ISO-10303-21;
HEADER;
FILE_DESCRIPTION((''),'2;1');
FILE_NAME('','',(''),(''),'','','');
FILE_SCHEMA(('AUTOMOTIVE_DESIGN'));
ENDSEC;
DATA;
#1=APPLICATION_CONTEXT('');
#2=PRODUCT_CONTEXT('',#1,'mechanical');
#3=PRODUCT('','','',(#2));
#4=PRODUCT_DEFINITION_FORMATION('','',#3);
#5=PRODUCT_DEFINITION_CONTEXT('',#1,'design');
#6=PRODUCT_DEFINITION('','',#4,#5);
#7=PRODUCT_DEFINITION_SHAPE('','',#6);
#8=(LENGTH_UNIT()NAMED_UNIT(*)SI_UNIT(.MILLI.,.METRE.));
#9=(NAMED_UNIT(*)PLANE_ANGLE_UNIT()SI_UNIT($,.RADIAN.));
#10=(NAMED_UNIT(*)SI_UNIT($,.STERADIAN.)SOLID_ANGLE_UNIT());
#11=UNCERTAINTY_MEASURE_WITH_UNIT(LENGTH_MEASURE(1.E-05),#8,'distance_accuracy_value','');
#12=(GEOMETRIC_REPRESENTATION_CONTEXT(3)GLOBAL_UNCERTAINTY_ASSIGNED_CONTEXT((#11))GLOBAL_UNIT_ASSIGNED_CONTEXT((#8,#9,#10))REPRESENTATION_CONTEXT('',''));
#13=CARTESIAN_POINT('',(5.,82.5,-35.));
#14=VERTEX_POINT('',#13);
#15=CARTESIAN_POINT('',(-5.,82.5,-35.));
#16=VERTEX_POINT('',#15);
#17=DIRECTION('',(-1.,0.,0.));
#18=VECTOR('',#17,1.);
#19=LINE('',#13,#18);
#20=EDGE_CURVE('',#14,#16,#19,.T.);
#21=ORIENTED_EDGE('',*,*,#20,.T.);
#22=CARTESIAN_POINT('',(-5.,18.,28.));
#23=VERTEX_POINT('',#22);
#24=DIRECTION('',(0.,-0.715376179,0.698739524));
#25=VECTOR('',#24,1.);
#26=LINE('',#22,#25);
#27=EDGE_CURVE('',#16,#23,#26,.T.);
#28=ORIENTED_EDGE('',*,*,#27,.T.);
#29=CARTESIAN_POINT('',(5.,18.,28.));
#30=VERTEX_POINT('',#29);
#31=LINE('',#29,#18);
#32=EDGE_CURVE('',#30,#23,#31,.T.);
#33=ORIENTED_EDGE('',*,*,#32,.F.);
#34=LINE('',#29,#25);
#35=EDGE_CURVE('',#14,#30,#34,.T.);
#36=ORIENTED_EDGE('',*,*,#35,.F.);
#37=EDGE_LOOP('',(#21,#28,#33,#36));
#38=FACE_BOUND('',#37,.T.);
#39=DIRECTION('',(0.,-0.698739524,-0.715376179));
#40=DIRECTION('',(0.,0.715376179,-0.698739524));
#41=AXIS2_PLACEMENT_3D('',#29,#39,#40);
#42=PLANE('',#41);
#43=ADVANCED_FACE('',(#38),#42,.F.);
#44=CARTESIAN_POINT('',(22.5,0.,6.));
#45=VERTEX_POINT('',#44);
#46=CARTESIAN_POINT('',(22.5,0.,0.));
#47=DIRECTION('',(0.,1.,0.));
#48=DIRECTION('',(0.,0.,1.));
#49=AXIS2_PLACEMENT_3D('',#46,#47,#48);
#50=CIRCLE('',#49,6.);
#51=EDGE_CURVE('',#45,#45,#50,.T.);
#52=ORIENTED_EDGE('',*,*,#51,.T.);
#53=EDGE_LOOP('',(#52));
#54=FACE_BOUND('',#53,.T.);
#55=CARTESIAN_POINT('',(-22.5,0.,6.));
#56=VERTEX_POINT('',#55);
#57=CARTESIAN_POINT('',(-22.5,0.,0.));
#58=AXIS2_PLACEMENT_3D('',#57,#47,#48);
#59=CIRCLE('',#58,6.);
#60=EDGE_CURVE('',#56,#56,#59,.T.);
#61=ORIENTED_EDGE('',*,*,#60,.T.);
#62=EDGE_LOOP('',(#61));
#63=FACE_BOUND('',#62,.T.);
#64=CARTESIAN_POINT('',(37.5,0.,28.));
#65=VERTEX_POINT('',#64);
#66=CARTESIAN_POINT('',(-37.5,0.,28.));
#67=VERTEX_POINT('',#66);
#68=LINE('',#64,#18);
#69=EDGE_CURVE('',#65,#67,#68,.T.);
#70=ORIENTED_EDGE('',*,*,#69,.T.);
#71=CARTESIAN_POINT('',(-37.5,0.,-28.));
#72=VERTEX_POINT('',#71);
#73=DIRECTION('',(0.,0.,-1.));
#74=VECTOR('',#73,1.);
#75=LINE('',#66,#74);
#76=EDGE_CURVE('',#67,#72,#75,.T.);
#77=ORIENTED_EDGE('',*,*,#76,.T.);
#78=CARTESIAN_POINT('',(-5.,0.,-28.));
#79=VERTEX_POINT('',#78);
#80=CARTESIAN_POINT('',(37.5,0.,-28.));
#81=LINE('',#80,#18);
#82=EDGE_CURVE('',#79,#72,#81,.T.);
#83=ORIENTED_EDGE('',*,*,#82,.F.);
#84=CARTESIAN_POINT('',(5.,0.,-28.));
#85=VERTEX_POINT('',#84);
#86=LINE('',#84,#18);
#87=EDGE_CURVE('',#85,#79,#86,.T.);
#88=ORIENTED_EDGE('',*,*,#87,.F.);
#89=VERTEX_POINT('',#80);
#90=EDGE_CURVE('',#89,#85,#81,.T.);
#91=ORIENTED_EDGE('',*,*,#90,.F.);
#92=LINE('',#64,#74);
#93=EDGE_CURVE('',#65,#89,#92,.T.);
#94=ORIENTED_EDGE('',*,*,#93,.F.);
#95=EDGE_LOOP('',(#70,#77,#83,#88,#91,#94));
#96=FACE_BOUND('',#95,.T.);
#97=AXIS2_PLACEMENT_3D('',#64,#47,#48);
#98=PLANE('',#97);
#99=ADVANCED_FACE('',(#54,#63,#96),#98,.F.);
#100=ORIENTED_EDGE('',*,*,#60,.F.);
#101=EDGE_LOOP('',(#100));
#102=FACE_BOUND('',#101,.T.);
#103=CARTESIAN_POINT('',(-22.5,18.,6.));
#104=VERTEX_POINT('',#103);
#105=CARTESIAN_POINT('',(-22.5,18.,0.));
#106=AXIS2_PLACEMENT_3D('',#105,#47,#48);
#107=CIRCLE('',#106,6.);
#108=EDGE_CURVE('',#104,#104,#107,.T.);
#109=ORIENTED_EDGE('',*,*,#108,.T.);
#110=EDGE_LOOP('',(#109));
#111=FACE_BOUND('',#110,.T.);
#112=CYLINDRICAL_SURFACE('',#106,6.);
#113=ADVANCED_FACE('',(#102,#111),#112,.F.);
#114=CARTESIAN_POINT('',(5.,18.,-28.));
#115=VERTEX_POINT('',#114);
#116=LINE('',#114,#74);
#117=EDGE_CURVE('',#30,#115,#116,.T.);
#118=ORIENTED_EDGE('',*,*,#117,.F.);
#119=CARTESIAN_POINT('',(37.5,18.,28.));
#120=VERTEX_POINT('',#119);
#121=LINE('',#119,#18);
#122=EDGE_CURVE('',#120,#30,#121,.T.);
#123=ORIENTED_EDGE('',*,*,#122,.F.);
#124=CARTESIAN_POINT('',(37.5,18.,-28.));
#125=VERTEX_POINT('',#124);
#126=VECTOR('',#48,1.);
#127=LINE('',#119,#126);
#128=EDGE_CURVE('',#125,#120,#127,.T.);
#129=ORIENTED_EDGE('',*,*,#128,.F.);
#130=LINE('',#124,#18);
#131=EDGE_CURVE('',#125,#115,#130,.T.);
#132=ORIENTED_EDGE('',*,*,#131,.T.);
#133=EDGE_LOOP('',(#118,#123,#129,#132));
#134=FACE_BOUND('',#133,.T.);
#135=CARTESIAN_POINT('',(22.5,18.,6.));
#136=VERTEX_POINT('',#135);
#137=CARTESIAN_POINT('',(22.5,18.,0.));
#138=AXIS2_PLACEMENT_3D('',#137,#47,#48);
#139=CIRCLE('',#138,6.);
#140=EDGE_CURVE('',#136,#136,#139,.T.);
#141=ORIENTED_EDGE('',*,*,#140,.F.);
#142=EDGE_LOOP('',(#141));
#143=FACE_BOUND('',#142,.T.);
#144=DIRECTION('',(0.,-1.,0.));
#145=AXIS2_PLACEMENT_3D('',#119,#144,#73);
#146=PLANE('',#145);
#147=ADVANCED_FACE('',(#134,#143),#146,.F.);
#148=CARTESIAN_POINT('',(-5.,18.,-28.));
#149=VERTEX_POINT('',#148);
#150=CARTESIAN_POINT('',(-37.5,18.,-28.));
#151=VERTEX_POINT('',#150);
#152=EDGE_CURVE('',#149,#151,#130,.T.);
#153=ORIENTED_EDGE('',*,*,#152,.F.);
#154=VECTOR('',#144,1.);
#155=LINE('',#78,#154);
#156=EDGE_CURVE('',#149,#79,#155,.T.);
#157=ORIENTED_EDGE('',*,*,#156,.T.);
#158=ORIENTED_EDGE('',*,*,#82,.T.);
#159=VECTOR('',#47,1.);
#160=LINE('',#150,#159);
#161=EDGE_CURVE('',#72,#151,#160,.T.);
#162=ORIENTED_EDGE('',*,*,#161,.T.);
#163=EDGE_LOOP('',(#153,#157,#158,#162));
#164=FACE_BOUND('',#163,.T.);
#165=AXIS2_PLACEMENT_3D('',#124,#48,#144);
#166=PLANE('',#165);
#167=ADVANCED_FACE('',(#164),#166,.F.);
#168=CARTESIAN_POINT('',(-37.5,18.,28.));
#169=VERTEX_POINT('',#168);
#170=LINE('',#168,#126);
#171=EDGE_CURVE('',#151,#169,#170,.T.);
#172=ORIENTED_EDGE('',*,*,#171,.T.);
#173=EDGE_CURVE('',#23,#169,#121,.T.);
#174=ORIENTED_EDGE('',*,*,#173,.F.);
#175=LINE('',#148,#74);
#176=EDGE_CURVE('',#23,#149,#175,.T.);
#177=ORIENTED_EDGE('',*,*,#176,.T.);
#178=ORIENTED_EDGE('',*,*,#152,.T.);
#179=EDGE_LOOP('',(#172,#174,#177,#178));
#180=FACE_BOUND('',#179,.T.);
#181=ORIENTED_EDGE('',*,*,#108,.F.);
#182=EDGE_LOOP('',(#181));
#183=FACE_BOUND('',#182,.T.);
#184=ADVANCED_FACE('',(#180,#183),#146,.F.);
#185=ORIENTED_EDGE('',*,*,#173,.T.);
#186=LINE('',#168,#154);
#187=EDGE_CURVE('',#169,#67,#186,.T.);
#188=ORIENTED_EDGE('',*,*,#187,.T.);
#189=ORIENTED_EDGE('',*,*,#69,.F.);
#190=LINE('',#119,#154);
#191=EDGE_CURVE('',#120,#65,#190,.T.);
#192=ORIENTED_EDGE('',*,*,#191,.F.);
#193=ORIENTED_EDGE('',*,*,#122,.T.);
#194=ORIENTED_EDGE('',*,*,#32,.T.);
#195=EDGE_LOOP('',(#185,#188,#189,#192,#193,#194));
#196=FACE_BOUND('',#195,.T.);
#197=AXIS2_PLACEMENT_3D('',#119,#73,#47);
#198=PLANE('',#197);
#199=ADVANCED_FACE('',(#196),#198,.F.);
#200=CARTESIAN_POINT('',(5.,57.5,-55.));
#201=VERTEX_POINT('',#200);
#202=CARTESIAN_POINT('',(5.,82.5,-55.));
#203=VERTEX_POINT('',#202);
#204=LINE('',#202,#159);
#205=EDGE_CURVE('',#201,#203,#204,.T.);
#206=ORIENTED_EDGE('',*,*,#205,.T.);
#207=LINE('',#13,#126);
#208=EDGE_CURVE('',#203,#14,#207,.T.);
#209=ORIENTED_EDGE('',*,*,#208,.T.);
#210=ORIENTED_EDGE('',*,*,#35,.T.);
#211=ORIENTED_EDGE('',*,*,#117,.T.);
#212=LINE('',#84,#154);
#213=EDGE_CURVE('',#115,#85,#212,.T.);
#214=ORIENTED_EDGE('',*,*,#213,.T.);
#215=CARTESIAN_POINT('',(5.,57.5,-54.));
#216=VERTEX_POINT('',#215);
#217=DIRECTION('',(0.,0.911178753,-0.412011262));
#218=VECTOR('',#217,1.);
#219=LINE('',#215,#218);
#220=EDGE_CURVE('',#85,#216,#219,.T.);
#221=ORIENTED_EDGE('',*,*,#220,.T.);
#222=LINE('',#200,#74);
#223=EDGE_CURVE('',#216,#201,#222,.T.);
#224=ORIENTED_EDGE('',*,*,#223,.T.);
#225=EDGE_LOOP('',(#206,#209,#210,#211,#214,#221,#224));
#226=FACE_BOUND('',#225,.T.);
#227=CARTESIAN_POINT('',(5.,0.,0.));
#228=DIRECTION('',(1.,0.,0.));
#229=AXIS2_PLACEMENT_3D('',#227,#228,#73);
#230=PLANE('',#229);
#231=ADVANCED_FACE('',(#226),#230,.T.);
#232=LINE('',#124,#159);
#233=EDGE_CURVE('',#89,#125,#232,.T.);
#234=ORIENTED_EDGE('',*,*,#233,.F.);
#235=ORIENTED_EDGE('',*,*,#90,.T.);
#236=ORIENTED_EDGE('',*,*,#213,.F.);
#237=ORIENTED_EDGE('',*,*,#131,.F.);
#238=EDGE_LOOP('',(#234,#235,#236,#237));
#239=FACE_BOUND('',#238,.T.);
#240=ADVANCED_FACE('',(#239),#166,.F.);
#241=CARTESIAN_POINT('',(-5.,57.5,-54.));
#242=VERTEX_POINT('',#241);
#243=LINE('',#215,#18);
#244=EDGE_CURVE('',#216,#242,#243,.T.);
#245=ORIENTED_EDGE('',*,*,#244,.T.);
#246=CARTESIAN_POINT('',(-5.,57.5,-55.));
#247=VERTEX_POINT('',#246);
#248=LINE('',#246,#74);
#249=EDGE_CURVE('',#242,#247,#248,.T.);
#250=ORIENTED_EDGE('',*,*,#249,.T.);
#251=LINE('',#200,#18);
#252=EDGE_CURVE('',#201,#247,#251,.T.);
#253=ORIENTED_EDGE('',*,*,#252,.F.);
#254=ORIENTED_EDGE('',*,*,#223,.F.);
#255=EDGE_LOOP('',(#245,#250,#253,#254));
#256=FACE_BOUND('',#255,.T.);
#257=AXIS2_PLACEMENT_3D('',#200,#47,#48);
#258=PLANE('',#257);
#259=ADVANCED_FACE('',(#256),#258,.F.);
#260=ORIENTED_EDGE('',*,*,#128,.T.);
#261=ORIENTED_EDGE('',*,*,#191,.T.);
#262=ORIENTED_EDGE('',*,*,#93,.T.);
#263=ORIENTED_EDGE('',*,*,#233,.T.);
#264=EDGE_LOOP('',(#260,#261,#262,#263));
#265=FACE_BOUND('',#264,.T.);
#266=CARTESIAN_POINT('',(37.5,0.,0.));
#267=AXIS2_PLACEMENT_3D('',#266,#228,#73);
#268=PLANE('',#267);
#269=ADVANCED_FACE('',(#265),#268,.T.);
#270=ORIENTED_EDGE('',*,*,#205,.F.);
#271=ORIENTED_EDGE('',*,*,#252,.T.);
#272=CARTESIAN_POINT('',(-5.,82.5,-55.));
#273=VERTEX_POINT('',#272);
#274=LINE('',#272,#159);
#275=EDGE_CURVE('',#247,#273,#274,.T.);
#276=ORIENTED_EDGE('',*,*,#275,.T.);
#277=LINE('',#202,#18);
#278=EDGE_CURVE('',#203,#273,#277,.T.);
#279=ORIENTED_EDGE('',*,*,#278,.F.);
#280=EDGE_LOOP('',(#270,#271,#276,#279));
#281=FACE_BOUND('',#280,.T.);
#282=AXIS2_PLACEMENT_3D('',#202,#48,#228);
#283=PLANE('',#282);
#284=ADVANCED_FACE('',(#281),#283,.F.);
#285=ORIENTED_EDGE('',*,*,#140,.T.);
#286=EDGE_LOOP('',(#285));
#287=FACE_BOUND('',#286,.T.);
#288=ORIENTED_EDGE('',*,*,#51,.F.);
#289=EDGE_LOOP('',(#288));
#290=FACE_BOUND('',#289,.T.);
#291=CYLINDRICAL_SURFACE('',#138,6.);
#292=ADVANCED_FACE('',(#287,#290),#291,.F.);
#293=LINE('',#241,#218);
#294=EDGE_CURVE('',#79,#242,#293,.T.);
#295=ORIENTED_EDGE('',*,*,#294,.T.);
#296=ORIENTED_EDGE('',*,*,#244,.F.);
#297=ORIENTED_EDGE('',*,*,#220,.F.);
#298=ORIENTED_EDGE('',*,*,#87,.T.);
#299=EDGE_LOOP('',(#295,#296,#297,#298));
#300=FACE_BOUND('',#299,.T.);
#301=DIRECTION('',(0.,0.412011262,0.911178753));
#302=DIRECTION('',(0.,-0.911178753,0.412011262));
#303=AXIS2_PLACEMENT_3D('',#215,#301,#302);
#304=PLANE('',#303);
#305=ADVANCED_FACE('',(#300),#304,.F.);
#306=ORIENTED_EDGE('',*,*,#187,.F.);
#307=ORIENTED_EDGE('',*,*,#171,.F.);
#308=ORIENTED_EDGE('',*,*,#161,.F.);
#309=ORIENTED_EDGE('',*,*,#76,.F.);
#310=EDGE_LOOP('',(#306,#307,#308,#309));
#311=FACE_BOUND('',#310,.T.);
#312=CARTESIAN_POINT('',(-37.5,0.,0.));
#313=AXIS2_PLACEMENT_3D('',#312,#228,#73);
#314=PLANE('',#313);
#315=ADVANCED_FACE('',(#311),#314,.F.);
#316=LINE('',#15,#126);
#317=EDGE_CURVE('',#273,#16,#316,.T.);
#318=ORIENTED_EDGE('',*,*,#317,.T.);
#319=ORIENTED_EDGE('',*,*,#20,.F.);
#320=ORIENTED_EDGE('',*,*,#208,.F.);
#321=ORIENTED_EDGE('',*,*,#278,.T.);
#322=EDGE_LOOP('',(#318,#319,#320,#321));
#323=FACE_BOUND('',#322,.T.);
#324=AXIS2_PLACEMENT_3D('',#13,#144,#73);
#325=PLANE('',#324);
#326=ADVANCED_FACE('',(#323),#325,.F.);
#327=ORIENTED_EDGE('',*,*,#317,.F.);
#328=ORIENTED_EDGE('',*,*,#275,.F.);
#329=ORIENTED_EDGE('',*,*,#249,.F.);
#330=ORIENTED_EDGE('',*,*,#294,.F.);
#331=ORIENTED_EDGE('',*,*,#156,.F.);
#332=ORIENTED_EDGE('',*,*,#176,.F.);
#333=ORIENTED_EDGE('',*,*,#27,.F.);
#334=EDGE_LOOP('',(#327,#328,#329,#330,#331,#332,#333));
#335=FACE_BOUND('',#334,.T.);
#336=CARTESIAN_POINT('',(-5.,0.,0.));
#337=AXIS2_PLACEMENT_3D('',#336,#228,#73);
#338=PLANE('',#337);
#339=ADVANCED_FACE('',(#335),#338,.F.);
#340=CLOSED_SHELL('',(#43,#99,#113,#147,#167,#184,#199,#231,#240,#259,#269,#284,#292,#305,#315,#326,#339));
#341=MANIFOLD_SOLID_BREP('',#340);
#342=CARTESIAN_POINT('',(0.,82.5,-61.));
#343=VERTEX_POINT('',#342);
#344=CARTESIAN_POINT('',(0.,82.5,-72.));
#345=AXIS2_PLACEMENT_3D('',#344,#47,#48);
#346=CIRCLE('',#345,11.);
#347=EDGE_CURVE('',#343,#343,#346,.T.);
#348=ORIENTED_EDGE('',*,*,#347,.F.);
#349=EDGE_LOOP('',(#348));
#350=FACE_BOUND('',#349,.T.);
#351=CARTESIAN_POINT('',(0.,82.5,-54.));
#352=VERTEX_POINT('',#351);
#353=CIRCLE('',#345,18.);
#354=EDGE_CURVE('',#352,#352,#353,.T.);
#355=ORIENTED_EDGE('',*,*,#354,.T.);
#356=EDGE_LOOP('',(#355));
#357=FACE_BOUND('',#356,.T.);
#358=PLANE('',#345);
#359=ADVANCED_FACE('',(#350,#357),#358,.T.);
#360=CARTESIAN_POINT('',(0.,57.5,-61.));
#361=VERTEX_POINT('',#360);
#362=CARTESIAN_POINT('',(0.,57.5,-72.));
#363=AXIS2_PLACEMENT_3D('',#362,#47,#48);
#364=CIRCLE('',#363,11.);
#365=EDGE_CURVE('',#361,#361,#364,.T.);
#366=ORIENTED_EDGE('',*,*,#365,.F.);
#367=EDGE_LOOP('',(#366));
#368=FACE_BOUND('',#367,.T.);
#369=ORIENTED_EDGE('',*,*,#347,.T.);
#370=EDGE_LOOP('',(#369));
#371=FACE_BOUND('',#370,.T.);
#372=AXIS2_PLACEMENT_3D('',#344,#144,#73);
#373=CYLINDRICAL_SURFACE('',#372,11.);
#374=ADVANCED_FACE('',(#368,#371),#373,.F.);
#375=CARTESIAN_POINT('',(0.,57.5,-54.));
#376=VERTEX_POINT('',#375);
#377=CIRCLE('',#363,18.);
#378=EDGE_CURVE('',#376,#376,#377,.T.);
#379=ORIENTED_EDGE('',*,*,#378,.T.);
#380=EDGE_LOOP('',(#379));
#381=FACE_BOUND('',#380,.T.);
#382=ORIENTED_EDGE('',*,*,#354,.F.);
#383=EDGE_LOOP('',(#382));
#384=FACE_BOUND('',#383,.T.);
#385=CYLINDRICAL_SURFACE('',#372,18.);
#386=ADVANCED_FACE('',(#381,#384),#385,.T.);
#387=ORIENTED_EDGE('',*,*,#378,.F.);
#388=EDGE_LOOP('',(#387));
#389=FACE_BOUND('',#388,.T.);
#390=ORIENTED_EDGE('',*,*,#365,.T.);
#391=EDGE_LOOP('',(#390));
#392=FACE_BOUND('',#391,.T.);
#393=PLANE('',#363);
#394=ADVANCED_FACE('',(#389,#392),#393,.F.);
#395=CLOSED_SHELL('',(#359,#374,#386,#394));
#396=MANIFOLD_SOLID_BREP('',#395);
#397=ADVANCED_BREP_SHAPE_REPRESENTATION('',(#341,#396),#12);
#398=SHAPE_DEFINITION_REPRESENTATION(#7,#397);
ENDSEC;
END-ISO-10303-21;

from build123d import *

# Parameters (mm, degrees)
SKETCH1_W           = 56
SKETCH1_H           = 18
BOSS_EXTRUDE1_DEPTH = 37.5
SKETCH3_R           = 18
SKETCH3_R_2         = 11
BOSS_EXTRUDE2_DEPTH = 12.5
BOSS_EXTRUDE3_DEPTH = 5
SKETCH6_W           = 6
SKETCH6_H           = 18.001


with BuildPart() as part:
    # Sketch1 → Boss-Extrude1 (new, symmetric)
    with BuildSketch(Plane(origin=(0, 0, 0), x_dir=(0, 0, -1), z_dir=(1, 0, 0))):
        with Locations((0, 9)):
            Rectangle(SKETCH1_W, SKETCH1_H)
    extrude(amount=BOSS_EXTRUDE1_DEPTH, both=True)

    # Sketch4 → Boss-Extrude3 (add, symmetric)
    with BuildSketch(Plane(origin=(0, 0, 0), x_dir=(0, 0, -1), z_dir=(1, 0, 0))):
        Polygon((-28, 18), (35, 82.5), (55, 82.5), (55, 57.5), (54, 57.5), (28, 0), (28, 18), align=None)
    extrude(amount=BOSS_EXTRUDE3_DEPTH, both=True)

    # Sketch6 → Hole1 (revolve, cut)
    with BuildSketch(Plane(origin=(-22.5, 18, 0), x_dir=(0, 0, 1), z_dir=(1, 0, 0))):
        with Locations((3, 9.0005)):
            Rectangle(SKETCH6_W, SKETCH6_H)
    hole1 = revolve(axis=Axis((-22.5, -92, 0), (0, 1, 0)), mode=Mode.SUBTRACT)

    # Mirror1: Hole1 across plane
    add(hole1.mirror(Plane(origin=(0, 0, 0), x_dir=(0, 0, 1), z_dir=(1, 0, 0))), mode=Mode.SUBTRACT)


with BuildPart() as body_2:
    # Sketch3 → Boss-Extrude2 (new, symmetric)
    with BuildSketch(Plane(origin=(0, 70, 0), x_dir=(1, 0, 0), z_dir=(0, 1, 0))):
        with Locations(Location((0, 72, 0), (0, 0, 270))):
            Circle(SKETCH3_R)
        with Locations(Location((0, 72, 0), (0, 0, 270))):
            Circle(SKETCH3_R_2, mode=Mode.SUBTRACT)
    extrude(amount=BOSS_EXTRUDE2_DEPTH, both=True)


solid = Compound([part.part, body_2.part])
